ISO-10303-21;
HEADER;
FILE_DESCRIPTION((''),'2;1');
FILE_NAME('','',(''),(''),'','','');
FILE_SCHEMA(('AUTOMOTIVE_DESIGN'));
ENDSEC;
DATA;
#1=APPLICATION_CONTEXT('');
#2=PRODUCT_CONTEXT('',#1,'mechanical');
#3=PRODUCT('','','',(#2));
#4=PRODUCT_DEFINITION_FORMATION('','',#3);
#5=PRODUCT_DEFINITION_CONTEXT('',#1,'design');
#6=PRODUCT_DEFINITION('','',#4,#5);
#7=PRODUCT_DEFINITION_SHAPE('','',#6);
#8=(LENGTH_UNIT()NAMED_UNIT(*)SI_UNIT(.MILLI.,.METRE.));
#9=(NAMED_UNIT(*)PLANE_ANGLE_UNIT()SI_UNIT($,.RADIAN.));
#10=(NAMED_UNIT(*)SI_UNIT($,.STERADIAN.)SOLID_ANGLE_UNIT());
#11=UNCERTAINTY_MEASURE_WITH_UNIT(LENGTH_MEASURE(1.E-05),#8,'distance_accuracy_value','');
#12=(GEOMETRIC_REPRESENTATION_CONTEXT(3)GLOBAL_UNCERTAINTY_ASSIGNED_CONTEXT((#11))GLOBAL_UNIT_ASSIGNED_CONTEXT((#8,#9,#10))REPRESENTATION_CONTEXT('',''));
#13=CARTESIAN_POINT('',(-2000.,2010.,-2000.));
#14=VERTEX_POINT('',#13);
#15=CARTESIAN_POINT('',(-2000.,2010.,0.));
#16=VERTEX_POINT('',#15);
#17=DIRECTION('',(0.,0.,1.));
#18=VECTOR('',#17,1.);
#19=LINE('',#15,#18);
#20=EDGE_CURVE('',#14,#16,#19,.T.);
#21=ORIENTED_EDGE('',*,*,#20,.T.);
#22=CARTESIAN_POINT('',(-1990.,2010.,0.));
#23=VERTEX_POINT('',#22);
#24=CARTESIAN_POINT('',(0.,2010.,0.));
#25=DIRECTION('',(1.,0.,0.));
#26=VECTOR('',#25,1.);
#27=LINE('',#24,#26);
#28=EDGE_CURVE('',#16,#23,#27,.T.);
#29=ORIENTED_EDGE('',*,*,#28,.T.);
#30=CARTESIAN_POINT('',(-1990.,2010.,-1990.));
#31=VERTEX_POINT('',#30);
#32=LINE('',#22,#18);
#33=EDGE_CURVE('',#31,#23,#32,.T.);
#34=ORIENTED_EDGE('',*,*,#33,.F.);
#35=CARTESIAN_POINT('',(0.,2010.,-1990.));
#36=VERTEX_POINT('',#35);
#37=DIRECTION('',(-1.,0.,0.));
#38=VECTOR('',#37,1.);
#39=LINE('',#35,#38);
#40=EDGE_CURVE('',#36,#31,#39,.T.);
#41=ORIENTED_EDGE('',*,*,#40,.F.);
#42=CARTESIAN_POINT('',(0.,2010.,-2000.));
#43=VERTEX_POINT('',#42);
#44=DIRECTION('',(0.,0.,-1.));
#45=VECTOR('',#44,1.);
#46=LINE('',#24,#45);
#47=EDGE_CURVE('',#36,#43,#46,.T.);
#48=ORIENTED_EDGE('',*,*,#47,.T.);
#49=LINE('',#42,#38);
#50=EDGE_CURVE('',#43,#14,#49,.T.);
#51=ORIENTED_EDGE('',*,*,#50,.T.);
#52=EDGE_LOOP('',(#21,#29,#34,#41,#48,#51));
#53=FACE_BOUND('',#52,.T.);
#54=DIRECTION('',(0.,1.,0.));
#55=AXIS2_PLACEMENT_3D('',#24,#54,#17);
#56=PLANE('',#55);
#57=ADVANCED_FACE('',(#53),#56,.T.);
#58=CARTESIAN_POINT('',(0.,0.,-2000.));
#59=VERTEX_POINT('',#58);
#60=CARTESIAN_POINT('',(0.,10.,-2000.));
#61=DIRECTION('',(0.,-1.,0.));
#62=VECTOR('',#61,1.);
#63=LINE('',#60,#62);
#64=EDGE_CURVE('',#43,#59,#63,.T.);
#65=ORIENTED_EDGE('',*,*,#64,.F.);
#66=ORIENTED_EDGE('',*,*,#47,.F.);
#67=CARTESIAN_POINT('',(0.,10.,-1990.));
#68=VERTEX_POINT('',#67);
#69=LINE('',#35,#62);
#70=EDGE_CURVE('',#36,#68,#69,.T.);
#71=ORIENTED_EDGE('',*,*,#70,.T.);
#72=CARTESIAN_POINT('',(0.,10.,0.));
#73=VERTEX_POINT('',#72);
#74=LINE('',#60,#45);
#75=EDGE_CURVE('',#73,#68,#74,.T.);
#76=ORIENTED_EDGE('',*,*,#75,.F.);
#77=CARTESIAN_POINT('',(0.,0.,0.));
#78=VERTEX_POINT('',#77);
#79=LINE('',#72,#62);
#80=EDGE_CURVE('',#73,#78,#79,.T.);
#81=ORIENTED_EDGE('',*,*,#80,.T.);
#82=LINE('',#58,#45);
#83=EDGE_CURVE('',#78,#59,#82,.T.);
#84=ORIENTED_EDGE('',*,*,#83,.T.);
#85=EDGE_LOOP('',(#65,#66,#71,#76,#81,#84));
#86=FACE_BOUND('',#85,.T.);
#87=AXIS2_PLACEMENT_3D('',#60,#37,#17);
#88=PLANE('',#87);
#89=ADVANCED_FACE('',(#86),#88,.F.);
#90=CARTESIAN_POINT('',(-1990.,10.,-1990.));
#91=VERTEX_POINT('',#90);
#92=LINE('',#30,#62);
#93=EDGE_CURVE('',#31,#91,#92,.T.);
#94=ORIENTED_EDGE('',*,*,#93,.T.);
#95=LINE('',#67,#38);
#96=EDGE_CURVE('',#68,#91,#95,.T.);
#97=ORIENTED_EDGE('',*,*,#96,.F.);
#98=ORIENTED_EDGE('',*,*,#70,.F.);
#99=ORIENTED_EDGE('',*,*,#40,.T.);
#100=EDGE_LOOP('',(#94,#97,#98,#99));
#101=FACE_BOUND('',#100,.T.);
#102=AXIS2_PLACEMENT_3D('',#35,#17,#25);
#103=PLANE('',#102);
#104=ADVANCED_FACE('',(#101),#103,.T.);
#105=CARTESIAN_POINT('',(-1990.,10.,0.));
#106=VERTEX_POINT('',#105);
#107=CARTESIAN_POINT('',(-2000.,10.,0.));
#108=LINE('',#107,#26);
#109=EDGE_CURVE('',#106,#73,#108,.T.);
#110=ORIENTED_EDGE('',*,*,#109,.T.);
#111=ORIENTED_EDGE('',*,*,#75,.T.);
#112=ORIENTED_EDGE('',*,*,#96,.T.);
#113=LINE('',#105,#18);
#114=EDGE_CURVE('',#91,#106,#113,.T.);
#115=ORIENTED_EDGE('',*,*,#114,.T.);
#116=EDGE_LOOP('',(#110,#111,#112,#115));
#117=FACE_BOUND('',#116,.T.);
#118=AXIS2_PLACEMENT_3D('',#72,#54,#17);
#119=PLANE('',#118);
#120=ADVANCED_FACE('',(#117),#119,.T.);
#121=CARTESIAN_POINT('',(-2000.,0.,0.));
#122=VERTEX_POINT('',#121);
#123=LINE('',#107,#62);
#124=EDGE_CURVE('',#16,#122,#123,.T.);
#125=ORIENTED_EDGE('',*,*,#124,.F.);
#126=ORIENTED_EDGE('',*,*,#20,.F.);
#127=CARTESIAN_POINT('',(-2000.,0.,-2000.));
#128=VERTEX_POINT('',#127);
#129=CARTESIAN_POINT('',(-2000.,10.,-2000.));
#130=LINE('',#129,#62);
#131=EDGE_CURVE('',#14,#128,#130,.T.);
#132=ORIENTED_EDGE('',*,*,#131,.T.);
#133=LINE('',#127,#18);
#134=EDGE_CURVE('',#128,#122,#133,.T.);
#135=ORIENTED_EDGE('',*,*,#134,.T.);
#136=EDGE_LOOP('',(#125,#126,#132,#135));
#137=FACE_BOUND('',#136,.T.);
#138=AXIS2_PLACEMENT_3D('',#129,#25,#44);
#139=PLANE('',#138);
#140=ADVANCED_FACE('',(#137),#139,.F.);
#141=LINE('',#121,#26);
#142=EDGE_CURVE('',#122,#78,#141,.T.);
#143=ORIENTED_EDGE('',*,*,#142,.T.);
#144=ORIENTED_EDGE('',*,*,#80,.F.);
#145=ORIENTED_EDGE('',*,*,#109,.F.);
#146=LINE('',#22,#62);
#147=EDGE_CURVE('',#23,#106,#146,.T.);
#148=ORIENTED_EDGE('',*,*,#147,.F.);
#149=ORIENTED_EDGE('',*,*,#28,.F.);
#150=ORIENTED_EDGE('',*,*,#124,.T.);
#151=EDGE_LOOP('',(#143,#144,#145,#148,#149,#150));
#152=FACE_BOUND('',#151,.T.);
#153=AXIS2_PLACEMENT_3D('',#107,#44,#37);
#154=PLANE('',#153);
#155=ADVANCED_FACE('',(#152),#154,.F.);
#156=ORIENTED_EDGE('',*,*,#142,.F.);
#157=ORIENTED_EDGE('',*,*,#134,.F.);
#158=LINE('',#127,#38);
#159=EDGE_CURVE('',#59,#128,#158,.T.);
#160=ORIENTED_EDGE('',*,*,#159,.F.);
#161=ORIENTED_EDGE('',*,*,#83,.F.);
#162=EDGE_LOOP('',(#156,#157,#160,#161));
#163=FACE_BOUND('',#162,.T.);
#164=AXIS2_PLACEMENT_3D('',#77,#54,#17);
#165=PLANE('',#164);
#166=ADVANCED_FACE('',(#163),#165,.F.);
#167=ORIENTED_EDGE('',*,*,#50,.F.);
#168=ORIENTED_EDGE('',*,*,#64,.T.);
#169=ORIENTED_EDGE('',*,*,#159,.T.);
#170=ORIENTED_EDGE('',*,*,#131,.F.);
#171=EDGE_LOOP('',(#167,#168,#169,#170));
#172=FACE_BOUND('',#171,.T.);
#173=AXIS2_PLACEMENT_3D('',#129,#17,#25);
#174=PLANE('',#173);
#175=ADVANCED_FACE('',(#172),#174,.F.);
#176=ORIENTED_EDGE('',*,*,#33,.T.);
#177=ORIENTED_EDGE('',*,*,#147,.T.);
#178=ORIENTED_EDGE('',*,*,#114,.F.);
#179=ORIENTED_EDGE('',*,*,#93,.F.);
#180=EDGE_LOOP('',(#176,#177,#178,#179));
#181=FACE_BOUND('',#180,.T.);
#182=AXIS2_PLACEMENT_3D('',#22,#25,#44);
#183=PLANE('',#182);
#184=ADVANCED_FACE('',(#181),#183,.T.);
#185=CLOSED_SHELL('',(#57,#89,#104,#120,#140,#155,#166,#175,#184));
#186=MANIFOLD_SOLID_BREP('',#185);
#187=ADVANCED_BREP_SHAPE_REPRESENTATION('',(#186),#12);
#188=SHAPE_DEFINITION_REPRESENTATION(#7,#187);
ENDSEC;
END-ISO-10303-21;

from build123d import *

# Parameters (mm, degrees)
SKETCH1_W           = 2000
SKETCH1_H           = 2000
BOSS_EXTRUDE1_DEPTH = 10
SKETCH2_W           = 1990
SKETCH2_H           = 10
SKETCH2_W_2         = 10
SKETCH2_H_2         = 1990
BOSS_EXTRUDE2_DEPTH = 2000


with BuildPart() as part:
    # Sketch1 → Boss-Extrude1 (new body)
    with BuildSketch(Plane(origin=(0, 0, 0), x_dir=(1, 0, 0), z_dir=(0, 1, 0))):
        with Locations((-1000, 1000)):
            Rectangle(SKETCH1_W, SKETCH1_H)
    extrude(amount=BOSS_EXTRUDE1_DEPTH)

    # Sketch2 → Boss-Extrude2 (add)
    with BuildSketch(Plane(origin=(0, 10, 0), x_dir=(1, 0, 0), z_dir=(0, 1, 0))):
        with Locations((-995, 1995)):
            Rectangle(SKETCH2_W, SKETCH2_H)
        with Locations((-1995, 1995)):
            Rectangle(SKETCH2_W_2, SKETCH2_H)
        with Locations((-1995, 995)):
            Rectangle(SKETCH2_W_2, SKETCH2_H_2)
    extrude(amount=BOSS_EXTRUDE2_DEPTH)


solid = part.part
